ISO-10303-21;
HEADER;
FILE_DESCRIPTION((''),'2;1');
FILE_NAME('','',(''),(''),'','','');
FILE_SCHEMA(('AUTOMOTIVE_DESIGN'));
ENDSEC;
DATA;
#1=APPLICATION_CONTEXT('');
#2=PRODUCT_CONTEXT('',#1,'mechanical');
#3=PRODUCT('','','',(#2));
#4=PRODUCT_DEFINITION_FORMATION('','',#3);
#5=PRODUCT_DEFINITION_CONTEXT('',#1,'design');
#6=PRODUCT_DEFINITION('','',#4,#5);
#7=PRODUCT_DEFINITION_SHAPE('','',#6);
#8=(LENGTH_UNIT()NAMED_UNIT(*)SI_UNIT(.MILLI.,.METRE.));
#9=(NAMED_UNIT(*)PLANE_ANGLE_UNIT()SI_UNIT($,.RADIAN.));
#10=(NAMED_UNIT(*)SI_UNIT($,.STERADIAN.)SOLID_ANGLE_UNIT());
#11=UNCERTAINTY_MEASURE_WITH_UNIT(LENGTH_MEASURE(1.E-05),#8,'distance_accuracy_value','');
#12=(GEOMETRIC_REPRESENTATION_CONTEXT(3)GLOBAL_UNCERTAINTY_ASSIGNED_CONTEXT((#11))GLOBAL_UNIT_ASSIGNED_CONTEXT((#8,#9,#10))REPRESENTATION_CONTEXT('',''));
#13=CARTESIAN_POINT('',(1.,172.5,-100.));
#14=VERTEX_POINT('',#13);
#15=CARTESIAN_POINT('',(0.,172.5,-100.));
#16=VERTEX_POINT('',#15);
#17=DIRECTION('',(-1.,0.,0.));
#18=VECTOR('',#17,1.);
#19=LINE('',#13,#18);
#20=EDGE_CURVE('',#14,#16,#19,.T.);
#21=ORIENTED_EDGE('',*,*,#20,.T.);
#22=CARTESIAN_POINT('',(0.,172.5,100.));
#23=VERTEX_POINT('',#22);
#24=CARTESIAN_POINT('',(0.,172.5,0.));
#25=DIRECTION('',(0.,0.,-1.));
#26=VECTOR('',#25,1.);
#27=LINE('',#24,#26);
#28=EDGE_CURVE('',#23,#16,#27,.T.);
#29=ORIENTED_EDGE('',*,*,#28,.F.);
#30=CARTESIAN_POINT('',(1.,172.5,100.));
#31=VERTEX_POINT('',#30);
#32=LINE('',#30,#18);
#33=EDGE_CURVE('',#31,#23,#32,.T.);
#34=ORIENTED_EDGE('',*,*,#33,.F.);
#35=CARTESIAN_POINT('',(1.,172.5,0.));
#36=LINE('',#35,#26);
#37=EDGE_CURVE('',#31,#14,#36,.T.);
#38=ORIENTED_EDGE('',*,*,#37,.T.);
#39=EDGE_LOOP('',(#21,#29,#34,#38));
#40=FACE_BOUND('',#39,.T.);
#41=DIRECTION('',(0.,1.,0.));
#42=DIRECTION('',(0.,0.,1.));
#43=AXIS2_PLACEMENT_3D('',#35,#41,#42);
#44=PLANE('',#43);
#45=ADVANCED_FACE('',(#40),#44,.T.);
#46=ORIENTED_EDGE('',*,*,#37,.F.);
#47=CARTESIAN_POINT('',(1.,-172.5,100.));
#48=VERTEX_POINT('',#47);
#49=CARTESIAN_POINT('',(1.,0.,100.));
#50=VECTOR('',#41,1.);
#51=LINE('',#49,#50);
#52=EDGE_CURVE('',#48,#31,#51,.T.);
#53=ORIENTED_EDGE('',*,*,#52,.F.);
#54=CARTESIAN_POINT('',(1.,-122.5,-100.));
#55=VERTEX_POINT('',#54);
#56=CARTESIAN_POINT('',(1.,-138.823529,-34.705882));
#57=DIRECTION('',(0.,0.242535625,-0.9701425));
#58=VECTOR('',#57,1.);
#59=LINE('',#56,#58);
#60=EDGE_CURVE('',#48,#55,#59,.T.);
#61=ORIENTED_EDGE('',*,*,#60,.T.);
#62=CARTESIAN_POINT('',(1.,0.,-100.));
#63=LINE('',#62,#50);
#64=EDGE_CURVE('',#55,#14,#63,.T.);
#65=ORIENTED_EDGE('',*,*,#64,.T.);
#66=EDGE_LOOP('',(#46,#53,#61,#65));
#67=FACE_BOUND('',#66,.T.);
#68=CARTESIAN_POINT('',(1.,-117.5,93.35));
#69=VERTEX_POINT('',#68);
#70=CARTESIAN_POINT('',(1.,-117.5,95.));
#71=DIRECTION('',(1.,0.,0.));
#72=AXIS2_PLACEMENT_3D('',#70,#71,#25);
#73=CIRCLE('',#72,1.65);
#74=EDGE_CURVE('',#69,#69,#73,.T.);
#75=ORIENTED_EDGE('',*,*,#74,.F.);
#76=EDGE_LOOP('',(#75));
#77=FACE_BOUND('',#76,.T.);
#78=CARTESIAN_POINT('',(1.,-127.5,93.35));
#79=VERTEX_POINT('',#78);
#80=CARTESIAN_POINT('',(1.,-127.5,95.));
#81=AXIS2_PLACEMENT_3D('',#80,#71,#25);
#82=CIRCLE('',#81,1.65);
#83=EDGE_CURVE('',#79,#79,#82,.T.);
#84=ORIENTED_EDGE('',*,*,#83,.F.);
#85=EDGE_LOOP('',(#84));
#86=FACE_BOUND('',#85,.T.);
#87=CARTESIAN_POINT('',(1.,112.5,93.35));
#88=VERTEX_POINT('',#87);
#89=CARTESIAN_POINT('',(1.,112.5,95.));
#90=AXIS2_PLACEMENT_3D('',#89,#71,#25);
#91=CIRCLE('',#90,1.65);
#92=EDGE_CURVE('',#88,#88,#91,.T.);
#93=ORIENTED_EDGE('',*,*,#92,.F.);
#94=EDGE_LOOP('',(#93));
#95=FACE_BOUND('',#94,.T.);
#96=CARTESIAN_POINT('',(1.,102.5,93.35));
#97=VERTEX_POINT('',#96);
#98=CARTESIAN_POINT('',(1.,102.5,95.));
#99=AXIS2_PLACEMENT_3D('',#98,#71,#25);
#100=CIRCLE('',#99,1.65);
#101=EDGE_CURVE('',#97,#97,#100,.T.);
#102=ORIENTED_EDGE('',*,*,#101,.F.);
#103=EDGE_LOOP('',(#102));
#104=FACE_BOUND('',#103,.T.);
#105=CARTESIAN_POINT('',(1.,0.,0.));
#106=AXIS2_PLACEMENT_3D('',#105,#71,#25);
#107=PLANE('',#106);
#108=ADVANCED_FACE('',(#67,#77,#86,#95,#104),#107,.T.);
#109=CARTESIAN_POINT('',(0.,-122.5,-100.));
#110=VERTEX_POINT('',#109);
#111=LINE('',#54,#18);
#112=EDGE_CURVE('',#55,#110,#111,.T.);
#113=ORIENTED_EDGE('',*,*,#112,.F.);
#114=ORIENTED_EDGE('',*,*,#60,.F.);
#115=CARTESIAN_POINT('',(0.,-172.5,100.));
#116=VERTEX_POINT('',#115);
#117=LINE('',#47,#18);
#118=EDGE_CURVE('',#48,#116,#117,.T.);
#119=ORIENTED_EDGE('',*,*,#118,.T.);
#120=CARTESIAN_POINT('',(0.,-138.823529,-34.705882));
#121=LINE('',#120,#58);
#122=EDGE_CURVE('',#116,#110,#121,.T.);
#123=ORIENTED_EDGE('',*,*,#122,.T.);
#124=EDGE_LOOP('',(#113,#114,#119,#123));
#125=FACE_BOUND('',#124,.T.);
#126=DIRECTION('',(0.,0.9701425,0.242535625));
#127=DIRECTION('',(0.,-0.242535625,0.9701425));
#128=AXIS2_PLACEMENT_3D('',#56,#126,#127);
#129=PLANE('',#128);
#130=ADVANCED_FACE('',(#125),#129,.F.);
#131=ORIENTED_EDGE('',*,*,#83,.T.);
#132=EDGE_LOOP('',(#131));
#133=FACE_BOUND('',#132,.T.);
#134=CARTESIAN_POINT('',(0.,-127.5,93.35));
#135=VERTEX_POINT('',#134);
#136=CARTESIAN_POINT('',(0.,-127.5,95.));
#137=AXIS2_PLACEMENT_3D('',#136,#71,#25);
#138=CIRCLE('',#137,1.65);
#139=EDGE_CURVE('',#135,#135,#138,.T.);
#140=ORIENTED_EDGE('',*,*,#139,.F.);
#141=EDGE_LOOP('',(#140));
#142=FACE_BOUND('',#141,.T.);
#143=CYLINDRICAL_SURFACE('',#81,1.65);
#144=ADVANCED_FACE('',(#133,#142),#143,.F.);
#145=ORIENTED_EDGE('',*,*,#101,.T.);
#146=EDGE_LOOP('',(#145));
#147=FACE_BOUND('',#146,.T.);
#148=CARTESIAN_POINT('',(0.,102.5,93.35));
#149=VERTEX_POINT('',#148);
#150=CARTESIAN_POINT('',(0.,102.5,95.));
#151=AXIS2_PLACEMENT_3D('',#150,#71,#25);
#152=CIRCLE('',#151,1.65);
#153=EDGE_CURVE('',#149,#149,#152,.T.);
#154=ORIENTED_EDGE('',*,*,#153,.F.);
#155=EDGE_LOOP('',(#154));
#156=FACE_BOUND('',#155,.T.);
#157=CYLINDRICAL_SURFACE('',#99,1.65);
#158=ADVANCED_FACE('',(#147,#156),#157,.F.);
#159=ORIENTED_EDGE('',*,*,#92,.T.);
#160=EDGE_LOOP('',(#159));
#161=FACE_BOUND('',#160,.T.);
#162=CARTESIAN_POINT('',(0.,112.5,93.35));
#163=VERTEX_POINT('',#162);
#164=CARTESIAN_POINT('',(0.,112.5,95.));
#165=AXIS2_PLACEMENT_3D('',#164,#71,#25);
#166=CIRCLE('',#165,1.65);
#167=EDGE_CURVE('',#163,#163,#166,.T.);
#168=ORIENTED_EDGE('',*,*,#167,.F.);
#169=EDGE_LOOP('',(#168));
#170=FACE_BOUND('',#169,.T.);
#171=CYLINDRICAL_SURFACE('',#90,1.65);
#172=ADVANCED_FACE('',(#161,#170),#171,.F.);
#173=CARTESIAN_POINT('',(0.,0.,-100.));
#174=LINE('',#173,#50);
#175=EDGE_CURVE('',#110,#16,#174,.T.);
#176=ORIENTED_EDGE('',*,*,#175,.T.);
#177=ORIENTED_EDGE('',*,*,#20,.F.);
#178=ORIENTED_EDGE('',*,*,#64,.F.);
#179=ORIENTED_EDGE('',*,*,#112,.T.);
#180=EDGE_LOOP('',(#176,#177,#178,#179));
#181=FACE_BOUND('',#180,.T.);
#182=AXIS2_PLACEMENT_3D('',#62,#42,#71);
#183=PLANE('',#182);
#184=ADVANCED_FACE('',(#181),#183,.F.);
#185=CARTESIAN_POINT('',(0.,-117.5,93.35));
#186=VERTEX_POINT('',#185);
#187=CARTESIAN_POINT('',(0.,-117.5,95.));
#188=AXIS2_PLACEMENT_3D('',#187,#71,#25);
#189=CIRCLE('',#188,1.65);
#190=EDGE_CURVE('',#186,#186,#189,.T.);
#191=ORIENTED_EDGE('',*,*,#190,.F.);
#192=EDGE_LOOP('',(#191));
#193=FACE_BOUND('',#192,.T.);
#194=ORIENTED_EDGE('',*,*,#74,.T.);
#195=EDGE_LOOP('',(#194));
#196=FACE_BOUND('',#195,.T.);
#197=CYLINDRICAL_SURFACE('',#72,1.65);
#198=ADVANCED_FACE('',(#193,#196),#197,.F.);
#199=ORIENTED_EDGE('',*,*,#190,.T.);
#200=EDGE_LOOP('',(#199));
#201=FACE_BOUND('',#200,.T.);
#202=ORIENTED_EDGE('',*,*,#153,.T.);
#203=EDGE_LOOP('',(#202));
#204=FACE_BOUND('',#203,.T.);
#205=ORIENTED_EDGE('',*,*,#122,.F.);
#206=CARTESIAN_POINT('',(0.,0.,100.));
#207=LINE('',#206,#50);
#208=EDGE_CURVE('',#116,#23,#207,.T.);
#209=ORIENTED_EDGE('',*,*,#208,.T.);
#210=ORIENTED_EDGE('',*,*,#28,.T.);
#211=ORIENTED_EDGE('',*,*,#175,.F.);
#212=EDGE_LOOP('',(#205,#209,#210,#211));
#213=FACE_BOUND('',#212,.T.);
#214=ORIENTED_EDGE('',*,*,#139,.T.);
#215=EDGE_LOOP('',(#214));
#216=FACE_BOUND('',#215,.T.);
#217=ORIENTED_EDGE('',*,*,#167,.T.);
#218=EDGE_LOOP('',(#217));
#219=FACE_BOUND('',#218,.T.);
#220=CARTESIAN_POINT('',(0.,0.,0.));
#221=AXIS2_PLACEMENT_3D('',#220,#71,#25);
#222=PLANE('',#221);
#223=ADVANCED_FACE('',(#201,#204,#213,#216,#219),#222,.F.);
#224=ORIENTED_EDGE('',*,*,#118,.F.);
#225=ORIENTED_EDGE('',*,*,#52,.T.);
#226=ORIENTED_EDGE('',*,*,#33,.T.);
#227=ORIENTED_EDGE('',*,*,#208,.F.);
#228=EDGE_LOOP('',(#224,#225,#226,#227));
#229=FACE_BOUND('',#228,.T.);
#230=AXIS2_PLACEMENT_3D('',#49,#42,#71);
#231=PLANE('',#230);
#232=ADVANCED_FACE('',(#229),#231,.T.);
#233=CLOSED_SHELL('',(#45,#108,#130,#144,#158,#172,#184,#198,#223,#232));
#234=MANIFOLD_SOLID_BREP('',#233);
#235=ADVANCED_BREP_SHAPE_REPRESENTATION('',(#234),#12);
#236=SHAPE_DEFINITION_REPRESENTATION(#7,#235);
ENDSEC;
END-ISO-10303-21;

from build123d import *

# Parameters (mm, degrees)
BOSS_EXTRUDE1_DEPTH   = 1
M4X0_7_TAPPED_HOLE1_D = 3.3


with BuildPart() as part:
    # Sketch1 → Boss-Extrude1 (new body)
    with BuildSketch(Plane(origin=(0, 0, 0), x_dir=(0, 0, -1), z_dir=(1, 0, 0))):
        Polygon((-100, 172.5), (-100, -172.5), (100, -122.5), (100, 172.5), align=None)
    extrude(amount=BOSS_EXTRUDE1_DEPTH)

    # M4x0.7 Tapped Hole1 (through all)
    with Locations(Plane(origin=(1, 0, 0), x_dir=(0, 0, -1), z_dir=(1, 0, 0))):
        with Locations((-95, 112.5), (-95, 102.5), (-95, -117.5), (-95, -127.5)):
            Hole(M4X0_7_TAPPED_HOLE1_D / 2)


solid = part.part
